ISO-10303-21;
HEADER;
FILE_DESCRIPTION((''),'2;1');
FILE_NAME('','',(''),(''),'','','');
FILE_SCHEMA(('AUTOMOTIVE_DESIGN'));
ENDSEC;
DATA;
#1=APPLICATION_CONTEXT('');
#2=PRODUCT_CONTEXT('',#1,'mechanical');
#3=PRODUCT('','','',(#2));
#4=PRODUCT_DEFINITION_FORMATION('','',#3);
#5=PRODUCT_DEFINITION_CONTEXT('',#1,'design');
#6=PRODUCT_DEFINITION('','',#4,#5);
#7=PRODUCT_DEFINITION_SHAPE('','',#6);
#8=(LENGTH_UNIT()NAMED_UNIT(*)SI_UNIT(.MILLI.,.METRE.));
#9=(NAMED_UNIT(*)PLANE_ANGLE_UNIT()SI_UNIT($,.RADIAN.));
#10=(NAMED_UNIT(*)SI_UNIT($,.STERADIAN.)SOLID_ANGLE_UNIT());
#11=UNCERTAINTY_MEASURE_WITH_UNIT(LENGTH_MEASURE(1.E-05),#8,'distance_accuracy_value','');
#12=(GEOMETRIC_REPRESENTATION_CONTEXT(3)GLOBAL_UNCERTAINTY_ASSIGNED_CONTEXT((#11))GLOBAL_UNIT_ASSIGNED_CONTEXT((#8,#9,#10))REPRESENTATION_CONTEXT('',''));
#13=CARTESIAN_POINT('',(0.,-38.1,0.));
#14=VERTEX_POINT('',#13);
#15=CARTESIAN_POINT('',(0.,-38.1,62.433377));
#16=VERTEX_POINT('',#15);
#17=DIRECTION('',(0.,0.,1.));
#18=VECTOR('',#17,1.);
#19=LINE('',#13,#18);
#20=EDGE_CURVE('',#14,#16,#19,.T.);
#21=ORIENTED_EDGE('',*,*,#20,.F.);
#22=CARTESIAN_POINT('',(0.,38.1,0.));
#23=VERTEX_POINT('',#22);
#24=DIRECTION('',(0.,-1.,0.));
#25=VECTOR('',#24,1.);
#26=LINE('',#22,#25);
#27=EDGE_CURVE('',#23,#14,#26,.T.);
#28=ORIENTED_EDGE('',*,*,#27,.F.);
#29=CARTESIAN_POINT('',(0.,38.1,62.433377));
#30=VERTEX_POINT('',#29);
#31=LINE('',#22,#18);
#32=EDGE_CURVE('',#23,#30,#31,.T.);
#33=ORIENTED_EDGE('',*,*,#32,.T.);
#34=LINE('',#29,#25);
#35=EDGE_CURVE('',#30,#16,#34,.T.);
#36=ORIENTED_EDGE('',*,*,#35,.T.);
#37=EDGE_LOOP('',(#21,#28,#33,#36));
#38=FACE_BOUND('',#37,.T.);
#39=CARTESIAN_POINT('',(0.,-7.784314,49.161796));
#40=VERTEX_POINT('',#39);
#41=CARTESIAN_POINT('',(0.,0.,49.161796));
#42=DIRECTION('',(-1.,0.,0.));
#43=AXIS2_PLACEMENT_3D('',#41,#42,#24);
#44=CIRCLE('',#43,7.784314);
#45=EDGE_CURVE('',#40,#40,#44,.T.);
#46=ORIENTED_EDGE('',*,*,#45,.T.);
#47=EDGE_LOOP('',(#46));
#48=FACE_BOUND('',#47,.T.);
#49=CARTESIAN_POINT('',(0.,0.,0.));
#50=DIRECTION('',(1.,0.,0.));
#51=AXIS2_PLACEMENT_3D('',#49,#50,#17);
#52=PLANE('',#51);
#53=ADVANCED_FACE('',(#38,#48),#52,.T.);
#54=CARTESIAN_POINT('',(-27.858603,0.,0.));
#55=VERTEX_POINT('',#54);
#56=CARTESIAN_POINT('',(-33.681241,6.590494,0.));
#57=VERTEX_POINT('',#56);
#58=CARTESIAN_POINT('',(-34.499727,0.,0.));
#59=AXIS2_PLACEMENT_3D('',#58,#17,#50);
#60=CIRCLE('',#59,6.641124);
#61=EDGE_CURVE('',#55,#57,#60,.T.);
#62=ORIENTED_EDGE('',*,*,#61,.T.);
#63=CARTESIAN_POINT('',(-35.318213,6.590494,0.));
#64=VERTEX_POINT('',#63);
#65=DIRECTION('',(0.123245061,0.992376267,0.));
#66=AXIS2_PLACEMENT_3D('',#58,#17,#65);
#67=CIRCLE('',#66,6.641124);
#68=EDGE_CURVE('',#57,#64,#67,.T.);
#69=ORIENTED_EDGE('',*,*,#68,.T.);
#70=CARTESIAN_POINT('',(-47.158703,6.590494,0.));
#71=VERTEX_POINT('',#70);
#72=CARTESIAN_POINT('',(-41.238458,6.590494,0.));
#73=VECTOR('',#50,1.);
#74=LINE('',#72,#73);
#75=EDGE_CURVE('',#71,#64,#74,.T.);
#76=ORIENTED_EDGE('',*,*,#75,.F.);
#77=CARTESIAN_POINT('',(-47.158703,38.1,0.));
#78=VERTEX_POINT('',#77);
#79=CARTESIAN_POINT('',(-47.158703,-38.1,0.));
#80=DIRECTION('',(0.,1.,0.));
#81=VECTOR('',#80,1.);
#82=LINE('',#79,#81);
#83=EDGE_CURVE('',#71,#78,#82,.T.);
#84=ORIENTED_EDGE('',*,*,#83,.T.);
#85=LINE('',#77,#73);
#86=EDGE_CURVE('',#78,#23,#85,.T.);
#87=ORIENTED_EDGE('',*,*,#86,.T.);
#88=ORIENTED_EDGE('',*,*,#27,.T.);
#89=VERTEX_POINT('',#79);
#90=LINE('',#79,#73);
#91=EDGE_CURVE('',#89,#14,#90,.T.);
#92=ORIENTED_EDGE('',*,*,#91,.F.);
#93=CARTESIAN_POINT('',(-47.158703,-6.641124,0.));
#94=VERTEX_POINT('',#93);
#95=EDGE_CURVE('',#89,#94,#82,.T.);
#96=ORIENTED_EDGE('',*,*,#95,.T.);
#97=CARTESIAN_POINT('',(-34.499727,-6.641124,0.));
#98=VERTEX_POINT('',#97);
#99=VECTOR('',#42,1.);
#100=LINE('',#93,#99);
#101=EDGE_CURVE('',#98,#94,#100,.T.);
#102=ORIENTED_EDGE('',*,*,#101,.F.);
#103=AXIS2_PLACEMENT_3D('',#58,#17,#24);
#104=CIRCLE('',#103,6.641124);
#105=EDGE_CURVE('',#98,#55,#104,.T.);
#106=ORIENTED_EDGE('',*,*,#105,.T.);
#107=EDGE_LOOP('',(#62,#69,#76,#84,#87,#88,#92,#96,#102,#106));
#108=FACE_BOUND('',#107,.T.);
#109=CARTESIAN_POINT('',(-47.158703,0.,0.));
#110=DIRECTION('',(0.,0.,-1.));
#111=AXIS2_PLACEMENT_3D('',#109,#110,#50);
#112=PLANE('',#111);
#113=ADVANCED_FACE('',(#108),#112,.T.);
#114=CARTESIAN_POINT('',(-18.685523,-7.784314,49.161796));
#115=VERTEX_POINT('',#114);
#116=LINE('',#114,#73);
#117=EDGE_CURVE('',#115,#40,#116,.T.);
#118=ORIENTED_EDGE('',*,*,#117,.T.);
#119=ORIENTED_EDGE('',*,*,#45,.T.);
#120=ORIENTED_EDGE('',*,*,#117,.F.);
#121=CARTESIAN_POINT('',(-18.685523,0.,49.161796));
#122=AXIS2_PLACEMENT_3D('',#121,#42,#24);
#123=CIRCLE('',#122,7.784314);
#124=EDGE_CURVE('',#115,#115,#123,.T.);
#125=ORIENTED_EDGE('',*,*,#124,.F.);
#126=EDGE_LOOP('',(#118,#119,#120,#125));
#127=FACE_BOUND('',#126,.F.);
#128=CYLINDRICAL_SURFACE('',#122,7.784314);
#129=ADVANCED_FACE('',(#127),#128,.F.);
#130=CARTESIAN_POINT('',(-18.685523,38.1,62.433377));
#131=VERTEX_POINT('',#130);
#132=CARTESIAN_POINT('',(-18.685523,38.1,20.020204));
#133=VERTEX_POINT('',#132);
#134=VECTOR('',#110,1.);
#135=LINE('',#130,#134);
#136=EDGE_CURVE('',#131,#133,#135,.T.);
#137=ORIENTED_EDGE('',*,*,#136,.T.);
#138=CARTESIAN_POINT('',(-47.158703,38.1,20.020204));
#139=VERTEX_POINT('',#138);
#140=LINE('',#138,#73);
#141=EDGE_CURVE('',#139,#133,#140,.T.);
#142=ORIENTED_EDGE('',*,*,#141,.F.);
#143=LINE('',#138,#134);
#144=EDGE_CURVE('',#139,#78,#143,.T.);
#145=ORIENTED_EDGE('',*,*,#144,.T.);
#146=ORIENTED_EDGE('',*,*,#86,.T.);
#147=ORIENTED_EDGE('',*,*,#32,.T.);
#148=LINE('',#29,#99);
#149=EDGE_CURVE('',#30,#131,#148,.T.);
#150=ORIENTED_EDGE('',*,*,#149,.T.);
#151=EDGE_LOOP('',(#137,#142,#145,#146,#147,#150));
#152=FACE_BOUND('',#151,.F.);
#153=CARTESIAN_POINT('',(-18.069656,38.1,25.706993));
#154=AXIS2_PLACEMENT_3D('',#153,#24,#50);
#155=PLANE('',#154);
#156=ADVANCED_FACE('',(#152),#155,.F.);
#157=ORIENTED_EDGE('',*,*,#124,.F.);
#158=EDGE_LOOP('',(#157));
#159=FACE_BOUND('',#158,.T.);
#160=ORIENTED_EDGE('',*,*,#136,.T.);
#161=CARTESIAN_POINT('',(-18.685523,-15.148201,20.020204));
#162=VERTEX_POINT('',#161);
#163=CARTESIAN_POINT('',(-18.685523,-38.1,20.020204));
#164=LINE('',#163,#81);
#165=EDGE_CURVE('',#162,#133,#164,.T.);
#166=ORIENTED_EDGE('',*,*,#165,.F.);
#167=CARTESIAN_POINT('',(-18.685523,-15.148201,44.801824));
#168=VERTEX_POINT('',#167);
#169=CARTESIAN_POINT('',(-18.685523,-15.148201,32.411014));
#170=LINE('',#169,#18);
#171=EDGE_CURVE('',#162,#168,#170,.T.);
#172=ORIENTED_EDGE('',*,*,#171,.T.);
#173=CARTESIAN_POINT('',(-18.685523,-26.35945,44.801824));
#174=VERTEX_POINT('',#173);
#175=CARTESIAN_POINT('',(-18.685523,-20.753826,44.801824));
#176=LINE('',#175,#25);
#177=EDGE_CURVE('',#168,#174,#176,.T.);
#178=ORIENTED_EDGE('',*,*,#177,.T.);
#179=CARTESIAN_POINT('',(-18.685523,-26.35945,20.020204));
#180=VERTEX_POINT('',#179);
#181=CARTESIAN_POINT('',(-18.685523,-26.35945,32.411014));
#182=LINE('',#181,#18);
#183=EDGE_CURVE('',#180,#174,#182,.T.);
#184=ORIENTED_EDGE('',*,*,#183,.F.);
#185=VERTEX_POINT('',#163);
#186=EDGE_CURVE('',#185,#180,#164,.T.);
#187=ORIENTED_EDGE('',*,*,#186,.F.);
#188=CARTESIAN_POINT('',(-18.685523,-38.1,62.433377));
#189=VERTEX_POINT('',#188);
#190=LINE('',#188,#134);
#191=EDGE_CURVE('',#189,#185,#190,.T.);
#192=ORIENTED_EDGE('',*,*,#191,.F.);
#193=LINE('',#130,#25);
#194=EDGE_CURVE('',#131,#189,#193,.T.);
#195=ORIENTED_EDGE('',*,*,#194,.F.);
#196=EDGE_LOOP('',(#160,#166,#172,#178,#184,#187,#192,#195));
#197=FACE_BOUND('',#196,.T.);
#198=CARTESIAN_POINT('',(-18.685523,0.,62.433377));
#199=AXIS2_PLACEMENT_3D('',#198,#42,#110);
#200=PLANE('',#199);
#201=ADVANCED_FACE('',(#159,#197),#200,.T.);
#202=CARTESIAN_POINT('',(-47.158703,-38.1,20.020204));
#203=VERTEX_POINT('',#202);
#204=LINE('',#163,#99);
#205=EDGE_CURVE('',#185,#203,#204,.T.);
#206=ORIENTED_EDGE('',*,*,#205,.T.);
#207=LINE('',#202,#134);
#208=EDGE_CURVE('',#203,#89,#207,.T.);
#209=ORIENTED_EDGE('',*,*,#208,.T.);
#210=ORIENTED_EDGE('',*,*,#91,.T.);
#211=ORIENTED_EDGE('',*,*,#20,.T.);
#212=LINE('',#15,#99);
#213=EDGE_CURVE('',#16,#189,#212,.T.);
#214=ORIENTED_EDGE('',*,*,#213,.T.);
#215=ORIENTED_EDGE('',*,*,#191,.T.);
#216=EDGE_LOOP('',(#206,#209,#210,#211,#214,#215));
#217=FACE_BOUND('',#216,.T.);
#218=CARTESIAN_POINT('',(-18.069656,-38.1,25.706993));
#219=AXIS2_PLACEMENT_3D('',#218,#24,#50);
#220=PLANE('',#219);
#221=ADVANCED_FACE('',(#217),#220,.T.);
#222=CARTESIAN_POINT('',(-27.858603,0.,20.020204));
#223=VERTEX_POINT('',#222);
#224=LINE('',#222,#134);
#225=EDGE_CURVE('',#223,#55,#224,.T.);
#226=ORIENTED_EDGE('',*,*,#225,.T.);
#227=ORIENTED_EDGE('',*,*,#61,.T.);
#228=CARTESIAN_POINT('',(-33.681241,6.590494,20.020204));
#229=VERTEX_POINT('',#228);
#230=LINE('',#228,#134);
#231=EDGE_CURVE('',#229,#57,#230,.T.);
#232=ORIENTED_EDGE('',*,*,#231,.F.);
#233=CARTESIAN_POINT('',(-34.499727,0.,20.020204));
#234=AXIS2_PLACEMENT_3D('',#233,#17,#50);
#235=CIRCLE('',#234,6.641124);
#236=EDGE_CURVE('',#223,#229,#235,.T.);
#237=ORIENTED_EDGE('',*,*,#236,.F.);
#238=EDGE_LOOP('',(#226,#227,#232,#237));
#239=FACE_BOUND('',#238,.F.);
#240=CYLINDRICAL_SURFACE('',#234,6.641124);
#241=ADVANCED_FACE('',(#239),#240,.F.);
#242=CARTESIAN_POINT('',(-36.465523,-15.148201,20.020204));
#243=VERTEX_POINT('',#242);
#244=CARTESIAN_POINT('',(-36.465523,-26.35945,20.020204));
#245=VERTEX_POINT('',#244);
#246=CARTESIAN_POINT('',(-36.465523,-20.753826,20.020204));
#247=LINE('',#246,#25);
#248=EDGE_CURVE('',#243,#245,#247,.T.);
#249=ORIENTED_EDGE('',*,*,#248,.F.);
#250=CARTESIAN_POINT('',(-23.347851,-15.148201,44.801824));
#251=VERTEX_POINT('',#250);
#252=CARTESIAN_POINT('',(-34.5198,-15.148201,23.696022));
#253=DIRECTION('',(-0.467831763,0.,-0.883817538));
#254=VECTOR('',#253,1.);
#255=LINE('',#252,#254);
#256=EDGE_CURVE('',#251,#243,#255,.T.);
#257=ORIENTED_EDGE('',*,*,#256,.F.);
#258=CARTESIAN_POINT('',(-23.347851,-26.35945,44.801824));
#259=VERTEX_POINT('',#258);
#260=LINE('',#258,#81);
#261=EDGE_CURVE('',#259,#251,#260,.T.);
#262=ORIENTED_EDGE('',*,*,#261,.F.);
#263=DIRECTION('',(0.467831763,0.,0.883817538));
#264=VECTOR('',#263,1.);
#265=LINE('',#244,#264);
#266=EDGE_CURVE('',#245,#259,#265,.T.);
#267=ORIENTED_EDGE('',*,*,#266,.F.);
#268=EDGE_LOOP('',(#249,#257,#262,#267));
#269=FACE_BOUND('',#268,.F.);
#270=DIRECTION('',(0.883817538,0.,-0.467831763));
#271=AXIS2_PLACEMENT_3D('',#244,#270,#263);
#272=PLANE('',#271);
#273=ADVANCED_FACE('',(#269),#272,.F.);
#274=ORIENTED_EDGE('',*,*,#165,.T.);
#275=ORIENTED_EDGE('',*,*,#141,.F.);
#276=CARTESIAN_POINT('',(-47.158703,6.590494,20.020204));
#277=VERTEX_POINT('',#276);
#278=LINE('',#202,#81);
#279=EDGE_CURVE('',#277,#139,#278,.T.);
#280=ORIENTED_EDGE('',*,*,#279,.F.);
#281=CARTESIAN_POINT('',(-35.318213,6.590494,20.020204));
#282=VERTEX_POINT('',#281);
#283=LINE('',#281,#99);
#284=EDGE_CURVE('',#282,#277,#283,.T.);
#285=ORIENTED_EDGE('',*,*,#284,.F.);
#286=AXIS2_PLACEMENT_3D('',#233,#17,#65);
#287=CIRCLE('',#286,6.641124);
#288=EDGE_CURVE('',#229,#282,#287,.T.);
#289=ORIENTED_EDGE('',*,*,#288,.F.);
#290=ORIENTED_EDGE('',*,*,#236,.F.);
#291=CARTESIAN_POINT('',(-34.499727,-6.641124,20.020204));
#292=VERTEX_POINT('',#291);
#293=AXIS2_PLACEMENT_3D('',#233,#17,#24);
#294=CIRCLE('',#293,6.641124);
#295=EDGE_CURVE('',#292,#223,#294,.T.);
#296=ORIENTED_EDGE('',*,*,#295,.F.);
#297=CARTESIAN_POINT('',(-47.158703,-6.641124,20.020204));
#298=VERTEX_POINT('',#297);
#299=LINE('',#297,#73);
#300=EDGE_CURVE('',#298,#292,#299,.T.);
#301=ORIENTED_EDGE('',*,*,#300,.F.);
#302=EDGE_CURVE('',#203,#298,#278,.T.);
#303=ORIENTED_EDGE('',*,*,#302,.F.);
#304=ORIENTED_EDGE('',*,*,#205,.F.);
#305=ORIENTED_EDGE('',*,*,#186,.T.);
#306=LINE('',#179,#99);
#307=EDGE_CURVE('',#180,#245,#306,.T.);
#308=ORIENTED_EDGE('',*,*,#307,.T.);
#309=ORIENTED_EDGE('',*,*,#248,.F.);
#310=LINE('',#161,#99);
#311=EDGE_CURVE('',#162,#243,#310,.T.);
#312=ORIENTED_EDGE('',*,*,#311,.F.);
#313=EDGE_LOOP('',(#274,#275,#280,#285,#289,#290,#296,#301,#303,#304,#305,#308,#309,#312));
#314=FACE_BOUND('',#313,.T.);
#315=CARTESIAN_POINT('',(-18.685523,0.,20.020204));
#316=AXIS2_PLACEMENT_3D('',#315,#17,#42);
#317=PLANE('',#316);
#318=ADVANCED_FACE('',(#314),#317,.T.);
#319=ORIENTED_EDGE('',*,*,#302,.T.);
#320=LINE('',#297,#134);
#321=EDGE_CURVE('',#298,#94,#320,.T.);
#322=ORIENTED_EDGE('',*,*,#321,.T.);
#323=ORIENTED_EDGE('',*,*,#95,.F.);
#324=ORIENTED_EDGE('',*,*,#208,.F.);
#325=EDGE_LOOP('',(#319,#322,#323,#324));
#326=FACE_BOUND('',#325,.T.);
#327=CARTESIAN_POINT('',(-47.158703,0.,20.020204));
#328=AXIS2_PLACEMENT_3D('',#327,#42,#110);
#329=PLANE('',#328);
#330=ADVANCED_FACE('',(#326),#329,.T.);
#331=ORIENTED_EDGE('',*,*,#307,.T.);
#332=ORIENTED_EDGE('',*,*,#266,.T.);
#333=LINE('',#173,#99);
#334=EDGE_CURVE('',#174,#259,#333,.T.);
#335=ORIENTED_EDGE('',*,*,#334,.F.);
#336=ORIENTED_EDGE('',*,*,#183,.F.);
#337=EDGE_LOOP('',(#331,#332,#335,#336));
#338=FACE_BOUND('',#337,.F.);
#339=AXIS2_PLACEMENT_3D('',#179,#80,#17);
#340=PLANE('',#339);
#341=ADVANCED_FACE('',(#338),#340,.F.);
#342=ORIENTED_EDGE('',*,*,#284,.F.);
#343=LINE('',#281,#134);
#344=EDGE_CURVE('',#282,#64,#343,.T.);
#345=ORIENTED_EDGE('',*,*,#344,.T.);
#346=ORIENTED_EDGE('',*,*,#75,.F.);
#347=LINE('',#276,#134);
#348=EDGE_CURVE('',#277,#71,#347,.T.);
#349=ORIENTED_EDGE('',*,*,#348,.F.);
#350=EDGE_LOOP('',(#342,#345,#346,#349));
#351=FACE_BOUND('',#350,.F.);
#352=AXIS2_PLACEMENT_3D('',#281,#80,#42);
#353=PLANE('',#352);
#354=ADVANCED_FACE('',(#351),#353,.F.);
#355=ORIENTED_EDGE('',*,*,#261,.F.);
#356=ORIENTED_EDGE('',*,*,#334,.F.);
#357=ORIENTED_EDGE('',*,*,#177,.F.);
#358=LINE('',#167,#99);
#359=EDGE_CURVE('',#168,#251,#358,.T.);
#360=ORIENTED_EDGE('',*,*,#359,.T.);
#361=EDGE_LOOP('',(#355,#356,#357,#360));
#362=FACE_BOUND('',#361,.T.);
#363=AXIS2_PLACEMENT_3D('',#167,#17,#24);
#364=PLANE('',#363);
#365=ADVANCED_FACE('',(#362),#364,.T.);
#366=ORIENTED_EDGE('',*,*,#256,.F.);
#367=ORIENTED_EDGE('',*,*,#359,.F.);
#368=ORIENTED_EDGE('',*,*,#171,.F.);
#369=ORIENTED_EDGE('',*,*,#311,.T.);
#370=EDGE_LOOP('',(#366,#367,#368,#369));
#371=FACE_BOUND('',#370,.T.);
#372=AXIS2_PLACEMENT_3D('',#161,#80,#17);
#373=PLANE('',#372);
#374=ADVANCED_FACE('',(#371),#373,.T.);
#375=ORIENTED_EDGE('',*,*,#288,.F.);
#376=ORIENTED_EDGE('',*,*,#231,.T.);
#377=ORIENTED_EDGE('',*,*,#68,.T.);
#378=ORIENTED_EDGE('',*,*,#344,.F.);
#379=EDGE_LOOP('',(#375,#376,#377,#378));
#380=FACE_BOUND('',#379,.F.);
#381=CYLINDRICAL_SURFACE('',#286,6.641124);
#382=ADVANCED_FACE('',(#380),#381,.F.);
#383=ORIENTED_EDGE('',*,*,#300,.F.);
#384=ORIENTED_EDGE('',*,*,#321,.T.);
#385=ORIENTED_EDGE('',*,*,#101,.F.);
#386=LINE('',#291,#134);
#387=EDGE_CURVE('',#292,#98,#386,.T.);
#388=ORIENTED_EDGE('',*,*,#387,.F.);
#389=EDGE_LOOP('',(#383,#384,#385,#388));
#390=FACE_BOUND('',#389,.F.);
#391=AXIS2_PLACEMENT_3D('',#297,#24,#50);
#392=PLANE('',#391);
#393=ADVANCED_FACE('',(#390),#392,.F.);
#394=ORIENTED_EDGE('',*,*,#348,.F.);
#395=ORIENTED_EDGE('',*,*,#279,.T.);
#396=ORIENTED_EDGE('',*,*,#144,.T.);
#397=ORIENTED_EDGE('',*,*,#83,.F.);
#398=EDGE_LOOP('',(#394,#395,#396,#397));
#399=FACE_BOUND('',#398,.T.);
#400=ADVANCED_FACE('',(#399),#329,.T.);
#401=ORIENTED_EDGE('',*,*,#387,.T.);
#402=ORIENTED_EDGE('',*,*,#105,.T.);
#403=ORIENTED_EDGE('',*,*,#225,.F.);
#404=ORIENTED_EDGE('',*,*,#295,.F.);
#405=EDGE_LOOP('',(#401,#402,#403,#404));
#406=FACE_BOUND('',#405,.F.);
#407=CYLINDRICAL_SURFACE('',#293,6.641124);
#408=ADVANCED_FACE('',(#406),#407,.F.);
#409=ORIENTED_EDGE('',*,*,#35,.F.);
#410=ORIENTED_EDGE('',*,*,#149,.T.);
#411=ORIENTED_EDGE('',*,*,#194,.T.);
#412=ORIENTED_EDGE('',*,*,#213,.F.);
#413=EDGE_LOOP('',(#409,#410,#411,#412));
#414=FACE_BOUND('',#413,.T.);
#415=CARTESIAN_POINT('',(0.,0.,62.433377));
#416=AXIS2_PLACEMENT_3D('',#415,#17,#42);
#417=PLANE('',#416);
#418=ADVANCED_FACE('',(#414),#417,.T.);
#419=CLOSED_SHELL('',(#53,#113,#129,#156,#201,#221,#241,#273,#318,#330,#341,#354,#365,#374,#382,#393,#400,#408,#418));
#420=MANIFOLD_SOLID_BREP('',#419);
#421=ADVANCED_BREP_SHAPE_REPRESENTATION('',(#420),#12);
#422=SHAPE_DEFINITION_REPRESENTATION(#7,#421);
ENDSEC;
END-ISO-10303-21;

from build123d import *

# Parameters (mm, degrees)
F1_DEPTH = 38.1
F3_DEPTH = 20.0212036649
F4_R     = 7.7843142667
F5_DEPTH = 18.6865234206
F6_W     = 11.211249046
F6_H     = 24.7816201299
F7_DEPTH = 17.78
F9_DEPTH = 64.4604500721


with BuildPart() as f1:
    # F0 (on Front) → F1 (new body, symmetric)
    with BuildSketch(Plane.XZ):
        Polygon((-47.158703208, 0), (0, 0), (0, 62.4333769083), (-18.6855234206, 62.4333769083), (-18.6855234206, 20.0202036649), (-47.158703208, 20.0202036649), align=None)
    extrude(amount=F1_DEPTH, both=True)

    # F2 (on face) → F3 (cut, through all)
    with BuildSketch(Plane.XY.offset(20.0202036649)):
        with BuildLine():
            ThreePointArc((-34.4997271895, -6.6411241547), (-29.803743265, -4.6959839245), (-27.8586030348, 0))
            ThreePointArc((-27.8586030348, 0), (-29.5227705126, 4.3970936167), (-33.6812414386, 6.5904939962))
            Line((-33.6812414386, 6.5904939962), (-35.3182129404, 6.5904939962))
            ThreePointArc((-35.3182129404, 6.5904939962), (-41.1281817194, -0.4100251021), (-34.4997271895, -6.6411241547))
        make_face()
        with BuildLine():
            Line((-35.3182129404, 6.5904939962), (-33.6812414386, 6.5904939962))
            ThreePointArc((-33.6812414386, 6.5904939962), (-34.4997271895, 6.6411241547), (-35.3182129404, 6.5904939962))
        make_face()
        with BuildLine():
            Line((-47.158703208, -6.6411241547), (-34.4997271895, -6.6411241547))
            ThreePointArc((-34.4997271895, -6.6411241547), (-41.1281817194, -0.4100251021), (-35.3182129404, 6.5904939962))
            Line((-35.3182129404, 6.5904939962), (-47.158703208, 6.5904939962))
            Line((-47.158703208, 6.5904939962), (-47.158703208, -6.6411241547))
        make_face()
    extrude(amount=-F3_DEPTH, mode=Mode.SUBTRACT)

    # F4 (on face) → F5 (cut, through all)
    with BuildSketch(Plane(origin=(-18.6855234206, 0, 0), x_dir=(0, -1, 0), z_dir=(-1, 0, 0))):
        with Locations((0, 49.1617955267)):
            Circle(F4_R)
    extrude(amount=-F5_DEPTH, mode=Mode.SUBTRACT)

    # F6 (on face) → F7 (join)
    with BuildSketch(Plane(origin=(-18.6855234206, 0, 0), x_dir=(0, -1, 0), z_dir=(-1, 0, 0))):
        with Locations((20.753825549, 32.4110137299)):
            Rectangle(F6_W, F6_H)
    extrude(amount=F7_DEPTH)

    # F8 (on face) → F9 (cut, through all)
    with BuildSketch(Plane.XZ.offset(26.3594500721)):
        Polygon((-36.4655234206, 20.0202036649), (-23.347850889, 44.8018237948), (-36.4655234206, 44.8018237948), align=None)
    extrude(amount=-F9_DEPTH, mode=Mode.SUBTRACT)


solid = f1.part
